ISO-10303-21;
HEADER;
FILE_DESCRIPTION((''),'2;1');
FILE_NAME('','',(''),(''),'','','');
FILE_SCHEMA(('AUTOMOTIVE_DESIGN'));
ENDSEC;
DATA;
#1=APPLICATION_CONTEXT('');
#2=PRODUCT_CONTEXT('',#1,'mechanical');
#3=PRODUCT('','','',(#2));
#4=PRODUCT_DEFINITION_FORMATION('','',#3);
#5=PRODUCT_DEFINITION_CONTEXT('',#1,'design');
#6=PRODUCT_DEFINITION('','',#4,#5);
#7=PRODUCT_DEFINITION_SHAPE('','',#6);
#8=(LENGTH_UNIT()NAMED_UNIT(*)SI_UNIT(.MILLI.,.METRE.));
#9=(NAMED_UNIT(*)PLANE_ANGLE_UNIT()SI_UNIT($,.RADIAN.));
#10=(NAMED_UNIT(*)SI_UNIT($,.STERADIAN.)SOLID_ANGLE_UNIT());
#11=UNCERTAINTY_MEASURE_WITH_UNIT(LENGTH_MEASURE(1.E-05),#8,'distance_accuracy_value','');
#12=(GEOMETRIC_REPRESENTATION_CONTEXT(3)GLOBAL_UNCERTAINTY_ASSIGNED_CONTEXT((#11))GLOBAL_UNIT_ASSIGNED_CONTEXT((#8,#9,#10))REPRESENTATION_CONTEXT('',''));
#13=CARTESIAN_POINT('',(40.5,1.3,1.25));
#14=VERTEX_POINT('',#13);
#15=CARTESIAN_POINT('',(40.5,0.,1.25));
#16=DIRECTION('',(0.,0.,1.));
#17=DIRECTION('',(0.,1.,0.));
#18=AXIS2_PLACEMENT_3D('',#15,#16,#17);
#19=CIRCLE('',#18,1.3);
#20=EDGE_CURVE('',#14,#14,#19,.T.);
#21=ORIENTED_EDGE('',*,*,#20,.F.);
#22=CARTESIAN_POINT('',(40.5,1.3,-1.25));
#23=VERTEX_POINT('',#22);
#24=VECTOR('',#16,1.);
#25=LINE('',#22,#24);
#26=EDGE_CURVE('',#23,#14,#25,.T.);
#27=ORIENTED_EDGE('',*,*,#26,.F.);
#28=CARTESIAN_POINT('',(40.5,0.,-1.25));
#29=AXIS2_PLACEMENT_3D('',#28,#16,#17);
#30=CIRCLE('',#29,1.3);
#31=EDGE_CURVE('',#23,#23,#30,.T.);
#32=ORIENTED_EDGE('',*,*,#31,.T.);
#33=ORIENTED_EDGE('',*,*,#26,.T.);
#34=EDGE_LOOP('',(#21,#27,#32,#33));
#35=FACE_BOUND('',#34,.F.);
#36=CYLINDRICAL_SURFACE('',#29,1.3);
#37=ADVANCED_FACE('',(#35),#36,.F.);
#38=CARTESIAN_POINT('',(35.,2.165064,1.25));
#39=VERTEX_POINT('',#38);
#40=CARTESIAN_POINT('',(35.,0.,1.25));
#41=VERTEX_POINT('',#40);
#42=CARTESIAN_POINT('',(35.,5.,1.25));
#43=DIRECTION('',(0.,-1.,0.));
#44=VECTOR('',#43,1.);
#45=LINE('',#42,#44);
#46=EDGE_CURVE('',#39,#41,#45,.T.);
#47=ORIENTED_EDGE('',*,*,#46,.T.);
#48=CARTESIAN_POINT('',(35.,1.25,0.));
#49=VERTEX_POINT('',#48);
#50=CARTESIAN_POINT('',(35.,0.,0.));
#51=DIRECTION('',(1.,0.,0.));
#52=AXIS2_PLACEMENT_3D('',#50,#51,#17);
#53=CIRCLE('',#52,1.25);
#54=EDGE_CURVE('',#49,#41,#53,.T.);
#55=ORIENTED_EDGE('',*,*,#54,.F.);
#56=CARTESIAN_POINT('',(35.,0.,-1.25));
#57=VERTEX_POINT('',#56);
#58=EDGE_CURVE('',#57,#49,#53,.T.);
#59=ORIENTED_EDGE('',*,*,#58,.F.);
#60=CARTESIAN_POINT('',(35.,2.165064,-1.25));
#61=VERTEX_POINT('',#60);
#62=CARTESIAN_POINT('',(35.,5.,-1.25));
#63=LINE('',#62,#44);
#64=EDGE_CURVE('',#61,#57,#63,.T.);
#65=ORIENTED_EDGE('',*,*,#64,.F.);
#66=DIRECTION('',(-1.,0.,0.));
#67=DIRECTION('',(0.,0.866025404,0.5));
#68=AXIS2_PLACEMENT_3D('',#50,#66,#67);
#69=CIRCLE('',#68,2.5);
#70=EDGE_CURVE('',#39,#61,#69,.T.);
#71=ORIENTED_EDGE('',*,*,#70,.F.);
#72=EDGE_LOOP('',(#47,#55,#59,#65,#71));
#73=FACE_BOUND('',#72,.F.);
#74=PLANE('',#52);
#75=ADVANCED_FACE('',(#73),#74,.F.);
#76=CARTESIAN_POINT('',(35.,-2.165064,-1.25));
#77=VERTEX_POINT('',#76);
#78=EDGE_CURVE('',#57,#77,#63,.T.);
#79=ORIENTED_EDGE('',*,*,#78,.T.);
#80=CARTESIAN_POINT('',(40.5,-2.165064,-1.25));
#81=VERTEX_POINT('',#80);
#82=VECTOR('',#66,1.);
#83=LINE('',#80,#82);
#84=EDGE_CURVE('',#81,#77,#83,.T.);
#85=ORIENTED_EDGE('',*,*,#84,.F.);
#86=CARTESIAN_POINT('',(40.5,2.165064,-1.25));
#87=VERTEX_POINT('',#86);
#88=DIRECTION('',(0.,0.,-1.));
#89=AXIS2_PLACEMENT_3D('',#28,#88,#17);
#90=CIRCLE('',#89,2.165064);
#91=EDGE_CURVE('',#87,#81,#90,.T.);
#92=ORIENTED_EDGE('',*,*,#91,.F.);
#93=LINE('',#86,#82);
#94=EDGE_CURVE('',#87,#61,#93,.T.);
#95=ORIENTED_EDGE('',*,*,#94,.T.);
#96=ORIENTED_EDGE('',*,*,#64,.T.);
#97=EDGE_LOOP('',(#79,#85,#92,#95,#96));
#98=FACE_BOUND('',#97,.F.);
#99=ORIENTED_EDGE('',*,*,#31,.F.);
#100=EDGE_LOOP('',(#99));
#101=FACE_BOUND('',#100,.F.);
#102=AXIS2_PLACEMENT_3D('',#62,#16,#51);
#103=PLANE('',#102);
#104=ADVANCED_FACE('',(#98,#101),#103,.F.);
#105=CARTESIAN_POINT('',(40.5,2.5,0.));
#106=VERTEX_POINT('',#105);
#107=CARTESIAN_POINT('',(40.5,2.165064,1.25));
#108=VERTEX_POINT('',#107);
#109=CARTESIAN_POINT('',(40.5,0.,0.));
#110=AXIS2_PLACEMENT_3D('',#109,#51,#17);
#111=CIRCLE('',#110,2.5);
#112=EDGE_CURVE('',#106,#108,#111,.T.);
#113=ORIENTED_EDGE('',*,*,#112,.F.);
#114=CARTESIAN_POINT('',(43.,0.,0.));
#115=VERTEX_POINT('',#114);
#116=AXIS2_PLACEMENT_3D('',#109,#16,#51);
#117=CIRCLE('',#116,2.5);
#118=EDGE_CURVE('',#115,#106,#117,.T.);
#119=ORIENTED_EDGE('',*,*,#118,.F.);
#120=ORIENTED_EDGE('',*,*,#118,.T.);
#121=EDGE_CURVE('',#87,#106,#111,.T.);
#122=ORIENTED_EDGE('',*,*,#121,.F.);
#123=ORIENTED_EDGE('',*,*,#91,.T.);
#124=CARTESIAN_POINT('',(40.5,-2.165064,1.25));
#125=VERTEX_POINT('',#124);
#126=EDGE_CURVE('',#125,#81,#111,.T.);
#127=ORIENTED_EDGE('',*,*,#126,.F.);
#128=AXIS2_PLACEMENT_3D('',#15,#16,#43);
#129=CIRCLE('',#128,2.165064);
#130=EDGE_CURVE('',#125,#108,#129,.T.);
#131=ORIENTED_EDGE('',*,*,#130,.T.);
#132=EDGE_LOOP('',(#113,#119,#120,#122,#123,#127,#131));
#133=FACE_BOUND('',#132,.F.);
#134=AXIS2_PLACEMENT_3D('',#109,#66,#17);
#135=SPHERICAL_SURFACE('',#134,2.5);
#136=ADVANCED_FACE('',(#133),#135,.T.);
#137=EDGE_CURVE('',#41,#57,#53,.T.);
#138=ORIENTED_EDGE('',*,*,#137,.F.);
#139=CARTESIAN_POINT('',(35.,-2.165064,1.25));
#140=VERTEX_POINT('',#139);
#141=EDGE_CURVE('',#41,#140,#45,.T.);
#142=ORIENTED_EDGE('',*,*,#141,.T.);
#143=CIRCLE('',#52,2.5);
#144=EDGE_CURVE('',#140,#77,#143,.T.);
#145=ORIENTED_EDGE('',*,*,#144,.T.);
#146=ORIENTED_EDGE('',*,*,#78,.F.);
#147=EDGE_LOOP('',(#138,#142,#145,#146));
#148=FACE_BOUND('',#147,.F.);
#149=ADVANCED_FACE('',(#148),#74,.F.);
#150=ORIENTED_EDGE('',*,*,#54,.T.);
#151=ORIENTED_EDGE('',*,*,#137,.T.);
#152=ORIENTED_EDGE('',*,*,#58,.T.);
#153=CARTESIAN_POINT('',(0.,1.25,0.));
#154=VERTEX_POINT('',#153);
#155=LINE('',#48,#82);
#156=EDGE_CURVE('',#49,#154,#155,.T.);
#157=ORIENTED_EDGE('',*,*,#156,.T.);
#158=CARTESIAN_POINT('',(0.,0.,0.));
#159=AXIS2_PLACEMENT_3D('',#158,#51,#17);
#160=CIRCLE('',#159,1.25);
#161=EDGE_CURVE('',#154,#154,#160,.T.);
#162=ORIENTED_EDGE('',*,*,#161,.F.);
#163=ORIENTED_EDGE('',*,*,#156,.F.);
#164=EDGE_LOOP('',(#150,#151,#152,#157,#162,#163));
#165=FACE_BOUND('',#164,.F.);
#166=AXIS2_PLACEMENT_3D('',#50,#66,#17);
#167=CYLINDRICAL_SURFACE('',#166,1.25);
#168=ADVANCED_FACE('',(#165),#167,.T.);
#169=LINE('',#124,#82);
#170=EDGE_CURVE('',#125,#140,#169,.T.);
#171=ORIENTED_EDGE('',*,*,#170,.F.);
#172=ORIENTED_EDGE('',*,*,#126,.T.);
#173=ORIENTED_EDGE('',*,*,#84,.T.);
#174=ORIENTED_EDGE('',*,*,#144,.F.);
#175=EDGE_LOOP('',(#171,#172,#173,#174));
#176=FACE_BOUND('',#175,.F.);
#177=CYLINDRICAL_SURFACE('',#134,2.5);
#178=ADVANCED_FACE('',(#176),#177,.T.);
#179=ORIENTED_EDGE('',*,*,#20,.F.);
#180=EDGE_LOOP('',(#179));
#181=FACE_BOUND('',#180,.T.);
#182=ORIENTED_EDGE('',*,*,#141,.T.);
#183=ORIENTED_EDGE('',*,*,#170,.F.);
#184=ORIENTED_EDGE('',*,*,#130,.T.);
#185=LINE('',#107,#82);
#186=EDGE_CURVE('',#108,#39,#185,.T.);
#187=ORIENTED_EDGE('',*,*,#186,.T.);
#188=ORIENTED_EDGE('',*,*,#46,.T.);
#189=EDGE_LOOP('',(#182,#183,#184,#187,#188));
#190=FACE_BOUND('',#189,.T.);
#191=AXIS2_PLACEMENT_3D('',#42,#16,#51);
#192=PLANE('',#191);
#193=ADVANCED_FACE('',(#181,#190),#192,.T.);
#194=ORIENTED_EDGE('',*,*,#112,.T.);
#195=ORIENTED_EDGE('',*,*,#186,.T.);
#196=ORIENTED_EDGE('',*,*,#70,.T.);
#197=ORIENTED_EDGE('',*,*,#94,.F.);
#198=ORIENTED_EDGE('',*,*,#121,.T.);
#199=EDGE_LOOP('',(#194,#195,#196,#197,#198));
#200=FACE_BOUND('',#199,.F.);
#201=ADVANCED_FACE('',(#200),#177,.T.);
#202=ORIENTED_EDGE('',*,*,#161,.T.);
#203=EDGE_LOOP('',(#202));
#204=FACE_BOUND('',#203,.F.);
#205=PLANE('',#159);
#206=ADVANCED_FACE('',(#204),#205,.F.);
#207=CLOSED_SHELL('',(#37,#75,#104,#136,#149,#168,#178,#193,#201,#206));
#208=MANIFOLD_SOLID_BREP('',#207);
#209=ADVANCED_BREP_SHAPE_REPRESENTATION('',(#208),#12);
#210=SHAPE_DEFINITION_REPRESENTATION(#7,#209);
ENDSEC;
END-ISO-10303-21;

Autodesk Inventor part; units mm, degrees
ref_plane "YZ Plane" through (0, 0, 0) normal (1, 0, 0) x (0, 1, 0)
ref_plane "XY Plane" through (0, 0, 0) normal (0, 0, 1) x (1, 0, 0)
sketch "Sketch1" plane through (0, 0, 0) normal (0, 0, 1) x (1, 0, 0)
  line L0 (0, 0) -> (43, 0)
  arc A0 (43, 0) -> (40.5, 2.5) centre (40.5, 0) ccw
  line L1 (40.5, 2.5) -> (35, 2.5)
  line L2 (35, 2.5) -> (35, 1.25)
  line L3 (35, 1.25) -> (0, 1.25)
  line L4 (0, 1.25) -> (0, 0)
  point P0 (0, 0.625)
  dimension "d0" = 2.5
  dimension "d1" = 5.5
  dimension "d2" = 2.5
  dimension "d3" = 40.5
revolve "Revolution1" add sketch "Sketch1" angle 360 about axis through (0, 0, 0) along (1, 0, 0)
ref_plane "Work Plane1" through (0, 5, 0) normal (0, 1, 0) x (-1, 0, 0)
sketch "Sketch2" plane through (0, 5, 0) normal (0, 1, 0) x (-1, 0, 0)
  arc A0 (-40.5, 2.5) -> (-40.5, -2.5) centre (-40.5, 0) ccw projected
  line L0 (-35, -1.25) -> (-35, 1.25) construction
  line L1 (-40.5, 2.5) -> (-40.5, -2.5) construction
  line L2 (-35, 2.5) -> (-35, -2.5) projected
  line L3 (-35, -1.25) -> (-42.6651, -1.25)
  line L4 (-35, 1.25) -> (-42.6651, 1.25)
  line L5 (-35, -2.5) -> (-40.5, -2.5) projected
  line L6 (-35, 2.5) -> (-40.5, 2.5) projected
  point P0 (0, 0)
  point P1 (-35, 0)
  dimension "d6" = 2.5
  dimension "d9" = 2.5
  dimension "d10" = 1.25
extrude "Extrusion2" cut sketch "Sketch2" against normal blind 10 contours L6 L2 L4 A0 | L3 L2 L5 A0
sketch "Sketch3" plane through (40.5, -2.1651, -1.25) normal (0, 0, -1) x (-1, 0, 0)
  arc A0 (0, 4.3301) -> (0, 0) centre (0, 2.1651) ccw projected
  point P0 (40.5, 2.1651)
hole "Hole1" at (40.5, 0, -1.25) direction (0, 0, 1) diameter 2.6 depth 2.5
equation "\"d10\" = 0.5 * d9"
properties part number "21.2"
